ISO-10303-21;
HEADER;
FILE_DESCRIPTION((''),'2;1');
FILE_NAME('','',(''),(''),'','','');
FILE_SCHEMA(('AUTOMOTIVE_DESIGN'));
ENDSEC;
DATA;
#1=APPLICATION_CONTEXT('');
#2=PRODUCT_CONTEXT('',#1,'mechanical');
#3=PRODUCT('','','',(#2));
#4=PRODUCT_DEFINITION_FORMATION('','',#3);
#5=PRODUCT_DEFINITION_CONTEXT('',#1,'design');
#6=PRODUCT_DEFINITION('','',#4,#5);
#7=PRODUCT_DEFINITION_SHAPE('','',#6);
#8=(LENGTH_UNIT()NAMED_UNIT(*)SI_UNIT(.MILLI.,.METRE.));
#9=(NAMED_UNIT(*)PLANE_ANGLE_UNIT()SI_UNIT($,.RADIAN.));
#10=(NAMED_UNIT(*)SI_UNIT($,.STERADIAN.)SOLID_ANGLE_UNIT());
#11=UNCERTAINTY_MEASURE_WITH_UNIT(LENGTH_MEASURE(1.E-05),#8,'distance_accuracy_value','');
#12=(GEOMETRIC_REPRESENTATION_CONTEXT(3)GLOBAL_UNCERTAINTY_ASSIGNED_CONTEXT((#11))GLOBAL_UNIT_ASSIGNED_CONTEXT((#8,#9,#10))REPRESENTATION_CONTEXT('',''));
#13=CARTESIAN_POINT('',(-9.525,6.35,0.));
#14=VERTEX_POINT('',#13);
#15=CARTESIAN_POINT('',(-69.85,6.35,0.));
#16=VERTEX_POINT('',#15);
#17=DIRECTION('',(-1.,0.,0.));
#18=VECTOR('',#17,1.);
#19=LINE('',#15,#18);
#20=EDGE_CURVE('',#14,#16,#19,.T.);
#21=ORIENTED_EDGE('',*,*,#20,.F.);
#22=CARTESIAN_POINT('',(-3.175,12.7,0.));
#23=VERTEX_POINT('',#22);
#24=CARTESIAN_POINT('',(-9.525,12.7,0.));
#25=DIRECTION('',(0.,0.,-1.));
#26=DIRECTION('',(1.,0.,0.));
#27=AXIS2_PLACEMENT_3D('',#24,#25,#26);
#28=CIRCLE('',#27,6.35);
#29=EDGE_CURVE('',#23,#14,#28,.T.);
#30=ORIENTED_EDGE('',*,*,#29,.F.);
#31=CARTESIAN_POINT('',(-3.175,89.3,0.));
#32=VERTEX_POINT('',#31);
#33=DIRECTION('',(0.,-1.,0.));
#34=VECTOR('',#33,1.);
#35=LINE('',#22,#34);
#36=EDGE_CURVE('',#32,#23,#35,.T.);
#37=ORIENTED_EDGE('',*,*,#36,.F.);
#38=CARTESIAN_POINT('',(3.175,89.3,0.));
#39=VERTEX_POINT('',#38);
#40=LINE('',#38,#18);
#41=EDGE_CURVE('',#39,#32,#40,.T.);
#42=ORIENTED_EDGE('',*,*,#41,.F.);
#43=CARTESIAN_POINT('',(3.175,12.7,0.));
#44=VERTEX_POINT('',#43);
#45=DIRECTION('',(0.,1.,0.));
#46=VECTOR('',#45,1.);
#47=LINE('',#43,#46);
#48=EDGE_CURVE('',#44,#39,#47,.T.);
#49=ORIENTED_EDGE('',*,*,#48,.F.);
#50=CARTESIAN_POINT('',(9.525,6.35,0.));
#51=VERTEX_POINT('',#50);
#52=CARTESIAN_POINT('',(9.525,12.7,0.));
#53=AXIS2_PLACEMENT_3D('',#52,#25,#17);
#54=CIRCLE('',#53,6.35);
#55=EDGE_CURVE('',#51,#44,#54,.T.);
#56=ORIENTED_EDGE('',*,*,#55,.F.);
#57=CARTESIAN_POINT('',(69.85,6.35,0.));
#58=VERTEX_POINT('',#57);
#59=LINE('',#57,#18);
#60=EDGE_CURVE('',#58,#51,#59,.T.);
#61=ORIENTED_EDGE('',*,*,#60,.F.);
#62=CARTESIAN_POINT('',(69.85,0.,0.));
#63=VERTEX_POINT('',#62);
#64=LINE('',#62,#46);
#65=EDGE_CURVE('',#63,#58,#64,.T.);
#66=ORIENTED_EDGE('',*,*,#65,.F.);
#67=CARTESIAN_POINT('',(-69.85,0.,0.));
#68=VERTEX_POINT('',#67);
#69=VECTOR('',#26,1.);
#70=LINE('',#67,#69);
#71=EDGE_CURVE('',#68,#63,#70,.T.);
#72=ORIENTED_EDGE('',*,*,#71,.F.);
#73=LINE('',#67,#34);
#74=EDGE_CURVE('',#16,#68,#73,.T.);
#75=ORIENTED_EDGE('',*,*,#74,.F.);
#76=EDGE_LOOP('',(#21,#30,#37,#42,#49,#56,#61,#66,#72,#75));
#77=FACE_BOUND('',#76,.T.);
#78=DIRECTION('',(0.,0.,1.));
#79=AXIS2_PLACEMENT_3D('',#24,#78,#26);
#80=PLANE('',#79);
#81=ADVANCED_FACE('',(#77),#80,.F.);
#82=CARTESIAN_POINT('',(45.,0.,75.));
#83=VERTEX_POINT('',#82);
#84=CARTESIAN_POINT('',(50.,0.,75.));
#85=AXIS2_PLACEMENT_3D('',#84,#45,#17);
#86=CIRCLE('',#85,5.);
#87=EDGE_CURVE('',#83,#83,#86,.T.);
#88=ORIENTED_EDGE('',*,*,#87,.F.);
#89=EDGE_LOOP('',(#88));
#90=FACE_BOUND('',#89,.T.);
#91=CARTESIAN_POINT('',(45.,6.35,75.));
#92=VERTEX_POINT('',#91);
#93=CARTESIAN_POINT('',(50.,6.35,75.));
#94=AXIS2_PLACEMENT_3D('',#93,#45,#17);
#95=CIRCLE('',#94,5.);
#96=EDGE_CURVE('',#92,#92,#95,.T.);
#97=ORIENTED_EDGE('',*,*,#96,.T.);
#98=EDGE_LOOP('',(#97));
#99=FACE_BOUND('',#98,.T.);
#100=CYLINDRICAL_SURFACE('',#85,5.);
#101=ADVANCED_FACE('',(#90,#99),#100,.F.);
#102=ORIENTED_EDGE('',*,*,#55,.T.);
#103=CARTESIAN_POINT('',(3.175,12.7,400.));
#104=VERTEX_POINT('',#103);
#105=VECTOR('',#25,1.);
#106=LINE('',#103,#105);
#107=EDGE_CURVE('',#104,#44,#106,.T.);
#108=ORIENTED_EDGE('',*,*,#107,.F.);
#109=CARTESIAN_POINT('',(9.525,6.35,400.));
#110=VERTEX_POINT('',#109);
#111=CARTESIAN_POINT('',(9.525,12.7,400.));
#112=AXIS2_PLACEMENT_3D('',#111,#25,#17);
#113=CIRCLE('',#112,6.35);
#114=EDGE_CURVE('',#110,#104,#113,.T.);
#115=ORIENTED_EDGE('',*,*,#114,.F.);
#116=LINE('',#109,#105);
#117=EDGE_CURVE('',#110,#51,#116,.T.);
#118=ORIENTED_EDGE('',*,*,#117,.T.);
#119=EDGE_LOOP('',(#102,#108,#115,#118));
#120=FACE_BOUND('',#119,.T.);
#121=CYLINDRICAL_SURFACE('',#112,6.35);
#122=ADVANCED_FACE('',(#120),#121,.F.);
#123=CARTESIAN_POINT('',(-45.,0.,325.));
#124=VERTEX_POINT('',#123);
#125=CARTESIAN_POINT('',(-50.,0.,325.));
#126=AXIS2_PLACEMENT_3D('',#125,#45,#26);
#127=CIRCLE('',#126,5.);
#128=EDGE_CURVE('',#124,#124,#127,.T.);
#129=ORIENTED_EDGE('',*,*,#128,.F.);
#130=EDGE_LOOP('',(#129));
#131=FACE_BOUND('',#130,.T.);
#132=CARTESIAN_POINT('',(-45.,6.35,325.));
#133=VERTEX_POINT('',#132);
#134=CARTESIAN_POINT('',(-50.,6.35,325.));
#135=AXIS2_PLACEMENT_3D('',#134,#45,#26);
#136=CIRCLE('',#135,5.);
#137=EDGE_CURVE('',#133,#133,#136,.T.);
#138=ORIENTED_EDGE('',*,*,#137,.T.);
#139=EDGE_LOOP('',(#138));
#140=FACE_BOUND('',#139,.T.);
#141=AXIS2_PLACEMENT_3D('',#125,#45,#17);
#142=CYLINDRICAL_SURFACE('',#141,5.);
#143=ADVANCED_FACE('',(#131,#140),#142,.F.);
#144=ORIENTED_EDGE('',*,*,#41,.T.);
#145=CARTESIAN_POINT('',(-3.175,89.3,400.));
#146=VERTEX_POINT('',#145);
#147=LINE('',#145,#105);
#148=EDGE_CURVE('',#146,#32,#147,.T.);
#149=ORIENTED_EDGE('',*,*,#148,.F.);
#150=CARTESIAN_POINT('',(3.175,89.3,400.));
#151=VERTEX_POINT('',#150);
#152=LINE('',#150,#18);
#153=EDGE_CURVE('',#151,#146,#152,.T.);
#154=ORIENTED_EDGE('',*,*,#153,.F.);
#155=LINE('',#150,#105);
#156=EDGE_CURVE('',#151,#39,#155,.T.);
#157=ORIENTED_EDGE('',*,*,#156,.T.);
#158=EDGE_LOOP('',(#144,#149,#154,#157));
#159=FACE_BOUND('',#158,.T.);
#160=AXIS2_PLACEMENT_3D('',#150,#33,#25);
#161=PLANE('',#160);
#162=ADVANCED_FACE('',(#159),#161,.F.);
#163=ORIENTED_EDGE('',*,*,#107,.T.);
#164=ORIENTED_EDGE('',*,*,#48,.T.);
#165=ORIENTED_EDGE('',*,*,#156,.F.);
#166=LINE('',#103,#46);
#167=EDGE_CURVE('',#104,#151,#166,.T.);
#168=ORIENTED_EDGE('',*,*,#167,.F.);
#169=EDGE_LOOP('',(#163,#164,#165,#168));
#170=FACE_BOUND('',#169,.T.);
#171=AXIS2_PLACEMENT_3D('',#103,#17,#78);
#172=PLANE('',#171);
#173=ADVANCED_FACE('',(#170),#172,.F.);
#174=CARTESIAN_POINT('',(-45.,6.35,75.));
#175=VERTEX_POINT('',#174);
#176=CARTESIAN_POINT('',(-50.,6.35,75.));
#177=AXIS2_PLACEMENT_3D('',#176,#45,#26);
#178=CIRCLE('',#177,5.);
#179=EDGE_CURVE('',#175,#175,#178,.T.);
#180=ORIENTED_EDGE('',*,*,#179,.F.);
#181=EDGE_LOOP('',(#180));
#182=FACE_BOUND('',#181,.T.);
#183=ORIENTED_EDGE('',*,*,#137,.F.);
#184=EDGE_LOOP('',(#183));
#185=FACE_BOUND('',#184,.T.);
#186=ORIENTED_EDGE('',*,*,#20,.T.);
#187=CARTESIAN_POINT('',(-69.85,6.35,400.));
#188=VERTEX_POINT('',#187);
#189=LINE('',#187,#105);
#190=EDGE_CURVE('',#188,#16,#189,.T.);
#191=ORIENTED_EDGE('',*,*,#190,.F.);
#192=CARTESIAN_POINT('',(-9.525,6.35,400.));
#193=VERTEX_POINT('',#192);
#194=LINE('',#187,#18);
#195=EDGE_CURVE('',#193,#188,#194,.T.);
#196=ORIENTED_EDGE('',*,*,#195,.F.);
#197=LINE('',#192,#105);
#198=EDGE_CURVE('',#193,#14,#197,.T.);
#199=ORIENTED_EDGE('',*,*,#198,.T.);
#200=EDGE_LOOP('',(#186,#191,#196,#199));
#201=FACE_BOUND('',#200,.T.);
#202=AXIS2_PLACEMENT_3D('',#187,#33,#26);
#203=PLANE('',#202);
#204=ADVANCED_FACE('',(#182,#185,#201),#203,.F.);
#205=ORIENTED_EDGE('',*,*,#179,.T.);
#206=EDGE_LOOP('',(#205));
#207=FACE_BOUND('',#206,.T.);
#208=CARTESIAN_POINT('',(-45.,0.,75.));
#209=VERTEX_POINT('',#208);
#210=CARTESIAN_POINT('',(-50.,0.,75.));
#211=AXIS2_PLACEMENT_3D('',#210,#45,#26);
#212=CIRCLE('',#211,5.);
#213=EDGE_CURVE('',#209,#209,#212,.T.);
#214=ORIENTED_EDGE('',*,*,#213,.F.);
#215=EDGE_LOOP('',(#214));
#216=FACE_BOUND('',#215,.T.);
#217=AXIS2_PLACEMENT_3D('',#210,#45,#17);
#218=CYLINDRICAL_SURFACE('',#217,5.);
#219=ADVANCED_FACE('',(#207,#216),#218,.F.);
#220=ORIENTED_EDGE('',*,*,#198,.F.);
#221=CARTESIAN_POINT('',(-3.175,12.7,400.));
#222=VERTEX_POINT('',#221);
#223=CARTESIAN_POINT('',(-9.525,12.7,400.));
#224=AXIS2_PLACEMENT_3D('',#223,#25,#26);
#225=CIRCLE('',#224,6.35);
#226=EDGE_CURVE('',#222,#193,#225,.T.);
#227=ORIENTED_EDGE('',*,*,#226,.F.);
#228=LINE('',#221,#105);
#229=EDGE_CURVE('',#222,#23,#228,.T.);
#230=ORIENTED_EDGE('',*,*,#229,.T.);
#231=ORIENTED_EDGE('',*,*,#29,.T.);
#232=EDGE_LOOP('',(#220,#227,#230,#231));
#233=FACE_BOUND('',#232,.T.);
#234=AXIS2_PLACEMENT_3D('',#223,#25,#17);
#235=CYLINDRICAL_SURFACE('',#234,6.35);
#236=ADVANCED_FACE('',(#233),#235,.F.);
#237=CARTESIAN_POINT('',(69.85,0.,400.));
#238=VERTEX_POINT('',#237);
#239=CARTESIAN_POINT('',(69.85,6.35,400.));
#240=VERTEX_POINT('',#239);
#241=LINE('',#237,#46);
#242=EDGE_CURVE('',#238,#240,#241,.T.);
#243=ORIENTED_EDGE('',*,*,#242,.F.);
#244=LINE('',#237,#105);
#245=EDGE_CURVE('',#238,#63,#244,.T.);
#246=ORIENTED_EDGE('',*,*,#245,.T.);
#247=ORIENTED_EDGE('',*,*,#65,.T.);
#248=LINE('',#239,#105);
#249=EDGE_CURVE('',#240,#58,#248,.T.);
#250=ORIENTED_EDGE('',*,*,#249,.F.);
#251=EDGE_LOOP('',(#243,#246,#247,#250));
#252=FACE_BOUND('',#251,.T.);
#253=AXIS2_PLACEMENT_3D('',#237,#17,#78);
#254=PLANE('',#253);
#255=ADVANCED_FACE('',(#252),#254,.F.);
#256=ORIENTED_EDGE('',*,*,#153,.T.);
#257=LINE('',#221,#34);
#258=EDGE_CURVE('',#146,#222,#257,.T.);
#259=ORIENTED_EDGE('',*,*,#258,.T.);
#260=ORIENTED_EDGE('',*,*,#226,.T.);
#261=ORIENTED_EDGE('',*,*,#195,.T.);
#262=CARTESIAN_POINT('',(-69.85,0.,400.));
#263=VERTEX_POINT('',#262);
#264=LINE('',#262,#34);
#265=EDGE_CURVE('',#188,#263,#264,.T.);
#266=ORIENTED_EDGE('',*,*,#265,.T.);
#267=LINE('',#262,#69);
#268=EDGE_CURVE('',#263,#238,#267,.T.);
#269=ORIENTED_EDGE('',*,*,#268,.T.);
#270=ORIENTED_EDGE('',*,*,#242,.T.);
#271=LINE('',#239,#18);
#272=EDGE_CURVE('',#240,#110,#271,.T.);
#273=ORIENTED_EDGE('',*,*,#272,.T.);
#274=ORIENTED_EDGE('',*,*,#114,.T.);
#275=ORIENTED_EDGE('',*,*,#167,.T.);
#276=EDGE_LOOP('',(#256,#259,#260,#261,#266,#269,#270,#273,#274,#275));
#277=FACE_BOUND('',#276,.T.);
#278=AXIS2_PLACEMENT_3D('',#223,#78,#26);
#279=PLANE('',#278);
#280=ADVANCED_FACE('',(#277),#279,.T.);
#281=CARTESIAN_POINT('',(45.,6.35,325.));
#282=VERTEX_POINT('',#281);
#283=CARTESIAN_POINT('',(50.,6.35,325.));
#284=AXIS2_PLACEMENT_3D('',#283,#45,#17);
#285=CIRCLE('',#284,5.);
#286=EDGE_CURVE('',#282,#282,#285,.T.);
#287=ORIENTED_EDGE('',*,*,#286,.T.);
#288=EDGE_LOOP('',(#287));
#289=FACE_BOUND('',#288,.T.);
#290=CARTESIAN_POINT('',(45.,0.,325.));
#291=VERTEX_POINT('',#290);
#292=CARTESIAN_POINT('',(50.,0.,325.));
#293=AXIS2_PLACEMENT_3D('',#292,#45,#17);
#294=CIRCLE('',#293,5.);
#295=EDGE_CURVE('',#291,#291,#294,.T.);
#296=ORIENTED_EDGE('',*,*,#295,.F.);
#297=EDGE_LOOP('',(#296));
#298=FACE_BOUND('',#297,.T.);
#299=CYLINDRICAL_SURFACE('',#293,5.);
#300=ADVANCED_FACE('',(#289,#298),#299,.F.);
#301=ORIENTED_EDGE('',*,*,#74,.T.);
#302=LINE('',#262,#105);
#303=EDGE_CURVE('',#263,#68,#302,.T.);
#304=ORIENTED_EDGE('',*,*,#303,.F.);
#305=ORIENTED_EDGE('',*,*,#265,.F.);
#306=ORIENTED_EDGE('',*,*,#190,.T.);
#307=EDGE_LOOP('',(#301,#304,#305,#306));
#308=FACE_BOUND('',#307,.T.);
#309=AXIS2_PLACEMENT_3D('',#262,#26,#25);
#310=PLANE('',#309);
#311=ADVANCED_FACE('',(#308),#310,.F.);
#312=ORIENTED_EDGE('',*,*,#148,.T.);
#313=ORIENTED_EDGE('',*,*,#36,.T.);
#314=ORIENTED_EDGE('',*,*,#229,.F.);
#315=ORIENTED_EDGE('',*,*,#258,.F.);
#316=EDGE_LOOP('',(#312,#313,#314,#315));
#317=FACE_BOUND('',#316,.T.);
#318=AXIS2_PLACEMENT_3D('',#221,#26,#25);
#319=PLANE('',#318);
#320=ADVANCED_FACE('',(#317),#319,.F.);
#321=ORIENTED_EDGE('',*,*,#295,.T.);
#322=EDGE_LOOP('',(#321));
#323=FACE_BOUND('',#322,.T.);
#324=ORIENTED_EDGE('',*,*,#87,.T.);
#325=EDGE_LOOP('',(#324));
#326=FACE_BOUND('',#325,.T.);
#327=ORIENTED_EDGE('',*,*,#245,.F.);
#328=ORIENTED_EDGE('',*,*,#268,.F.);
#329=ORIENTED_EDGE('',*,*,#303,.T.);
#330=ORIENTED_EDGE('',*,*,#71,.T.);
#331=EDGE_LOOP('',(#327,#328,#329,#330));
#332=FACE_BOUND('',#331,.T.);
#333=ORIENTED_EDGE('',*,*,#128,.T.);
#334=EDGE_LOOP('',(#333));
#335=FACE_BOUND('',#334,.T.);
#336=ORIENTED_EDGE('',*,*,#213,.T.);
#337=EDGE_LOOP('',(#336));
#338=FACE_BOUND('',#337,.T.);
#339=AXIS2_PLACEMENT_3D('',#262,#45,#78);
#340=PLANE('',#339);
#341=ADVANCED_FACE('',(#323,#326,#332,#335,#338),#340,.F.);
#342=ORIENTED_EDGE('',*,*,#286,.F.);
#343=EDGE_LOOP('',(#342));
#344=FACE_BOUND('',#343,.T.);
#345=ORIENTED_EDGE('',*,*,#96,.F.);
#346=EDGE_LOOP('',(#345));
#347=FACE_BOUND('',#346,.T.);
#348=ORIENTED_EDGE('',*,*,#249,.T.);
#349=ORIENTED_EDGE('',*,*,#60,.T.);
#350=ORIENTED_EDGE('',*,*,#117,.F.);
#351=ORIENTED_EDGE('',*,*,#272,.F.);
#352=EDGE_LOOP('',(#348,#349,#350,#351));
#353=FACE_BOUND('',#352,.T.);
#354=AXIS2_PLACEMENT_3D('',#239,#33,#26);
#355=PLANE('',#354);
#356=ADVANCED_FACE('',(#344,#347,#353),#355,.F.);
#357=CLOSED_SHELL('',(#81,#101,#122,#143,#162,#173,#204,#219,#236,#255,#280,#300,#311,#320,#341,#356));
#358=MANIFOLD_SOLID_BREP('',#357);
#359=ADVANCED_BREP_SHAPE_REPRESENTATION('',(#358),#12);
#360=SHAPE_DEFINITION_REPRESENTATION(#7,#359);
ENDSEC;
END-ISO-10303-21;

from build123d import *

# Parameters (mm, degrees)
RESSALTO_EXTRUS_O1_DEPTH = 400
ESBO_O2_R                = 5
CORTE_EXTRUS_O1_DEPTH    = 7.35


with BuildPart() as part:
    # Esboço1 → Ressalto-extrusão1 (new body)
    with BuildSketch(Plane.XY):
        with BuildLine():
            Line((-69.85, 0), (69.85, 0))
            Line((69.85, 0), (69.85, 6.35))
            Line((69.85, 6.35), (9.525, 6.35))
            ThreePointArc((9.525, 6.35), (5.034871939, 8.209871939), (3.175, 12.7))
            Line((3.175, 12.7), (3.175, 89.3))
            Line((3.175, 89.3), (-3.175, 89.3))
            Line((-3.175, 89.3), (-3.175, 12.7))
            ThreePointArc((-3.175, 12.7), (-5.034871939, 8.209871939), (-9.525, 6.35))
            Line((-9.525, 6.35), (-69.85, 6.35))
            Line((-69.85, 6.35), (-69.85, 0))
        make_face()
    extrude(amount=RESSALTO_EXTRUS_O1_DEPTH)

    # Esboço2 → Corte-extrusão1 (cut, through all)
    with BuildSketch(Plane(origin=(0, 6.35, 0), x_dir=(1, 0, 0), z_dir=(0, 1, 0))):
        with Locations((50, -75)):
            Circle(ESBO_O2_R)
        with Locations((-50, -75)):
            Circle(ESBO_O2_R)
        with Locations((50, -325)):
            Circle(ESBO_O2_R)
        with Locations((-50, -325)):
            Circle(ESBO_O2_R)
    extrude(amount=-CORTE_EXTRUS_O1_DEPTH, mode=Mode.SUBTRACT)


solid = part.part
